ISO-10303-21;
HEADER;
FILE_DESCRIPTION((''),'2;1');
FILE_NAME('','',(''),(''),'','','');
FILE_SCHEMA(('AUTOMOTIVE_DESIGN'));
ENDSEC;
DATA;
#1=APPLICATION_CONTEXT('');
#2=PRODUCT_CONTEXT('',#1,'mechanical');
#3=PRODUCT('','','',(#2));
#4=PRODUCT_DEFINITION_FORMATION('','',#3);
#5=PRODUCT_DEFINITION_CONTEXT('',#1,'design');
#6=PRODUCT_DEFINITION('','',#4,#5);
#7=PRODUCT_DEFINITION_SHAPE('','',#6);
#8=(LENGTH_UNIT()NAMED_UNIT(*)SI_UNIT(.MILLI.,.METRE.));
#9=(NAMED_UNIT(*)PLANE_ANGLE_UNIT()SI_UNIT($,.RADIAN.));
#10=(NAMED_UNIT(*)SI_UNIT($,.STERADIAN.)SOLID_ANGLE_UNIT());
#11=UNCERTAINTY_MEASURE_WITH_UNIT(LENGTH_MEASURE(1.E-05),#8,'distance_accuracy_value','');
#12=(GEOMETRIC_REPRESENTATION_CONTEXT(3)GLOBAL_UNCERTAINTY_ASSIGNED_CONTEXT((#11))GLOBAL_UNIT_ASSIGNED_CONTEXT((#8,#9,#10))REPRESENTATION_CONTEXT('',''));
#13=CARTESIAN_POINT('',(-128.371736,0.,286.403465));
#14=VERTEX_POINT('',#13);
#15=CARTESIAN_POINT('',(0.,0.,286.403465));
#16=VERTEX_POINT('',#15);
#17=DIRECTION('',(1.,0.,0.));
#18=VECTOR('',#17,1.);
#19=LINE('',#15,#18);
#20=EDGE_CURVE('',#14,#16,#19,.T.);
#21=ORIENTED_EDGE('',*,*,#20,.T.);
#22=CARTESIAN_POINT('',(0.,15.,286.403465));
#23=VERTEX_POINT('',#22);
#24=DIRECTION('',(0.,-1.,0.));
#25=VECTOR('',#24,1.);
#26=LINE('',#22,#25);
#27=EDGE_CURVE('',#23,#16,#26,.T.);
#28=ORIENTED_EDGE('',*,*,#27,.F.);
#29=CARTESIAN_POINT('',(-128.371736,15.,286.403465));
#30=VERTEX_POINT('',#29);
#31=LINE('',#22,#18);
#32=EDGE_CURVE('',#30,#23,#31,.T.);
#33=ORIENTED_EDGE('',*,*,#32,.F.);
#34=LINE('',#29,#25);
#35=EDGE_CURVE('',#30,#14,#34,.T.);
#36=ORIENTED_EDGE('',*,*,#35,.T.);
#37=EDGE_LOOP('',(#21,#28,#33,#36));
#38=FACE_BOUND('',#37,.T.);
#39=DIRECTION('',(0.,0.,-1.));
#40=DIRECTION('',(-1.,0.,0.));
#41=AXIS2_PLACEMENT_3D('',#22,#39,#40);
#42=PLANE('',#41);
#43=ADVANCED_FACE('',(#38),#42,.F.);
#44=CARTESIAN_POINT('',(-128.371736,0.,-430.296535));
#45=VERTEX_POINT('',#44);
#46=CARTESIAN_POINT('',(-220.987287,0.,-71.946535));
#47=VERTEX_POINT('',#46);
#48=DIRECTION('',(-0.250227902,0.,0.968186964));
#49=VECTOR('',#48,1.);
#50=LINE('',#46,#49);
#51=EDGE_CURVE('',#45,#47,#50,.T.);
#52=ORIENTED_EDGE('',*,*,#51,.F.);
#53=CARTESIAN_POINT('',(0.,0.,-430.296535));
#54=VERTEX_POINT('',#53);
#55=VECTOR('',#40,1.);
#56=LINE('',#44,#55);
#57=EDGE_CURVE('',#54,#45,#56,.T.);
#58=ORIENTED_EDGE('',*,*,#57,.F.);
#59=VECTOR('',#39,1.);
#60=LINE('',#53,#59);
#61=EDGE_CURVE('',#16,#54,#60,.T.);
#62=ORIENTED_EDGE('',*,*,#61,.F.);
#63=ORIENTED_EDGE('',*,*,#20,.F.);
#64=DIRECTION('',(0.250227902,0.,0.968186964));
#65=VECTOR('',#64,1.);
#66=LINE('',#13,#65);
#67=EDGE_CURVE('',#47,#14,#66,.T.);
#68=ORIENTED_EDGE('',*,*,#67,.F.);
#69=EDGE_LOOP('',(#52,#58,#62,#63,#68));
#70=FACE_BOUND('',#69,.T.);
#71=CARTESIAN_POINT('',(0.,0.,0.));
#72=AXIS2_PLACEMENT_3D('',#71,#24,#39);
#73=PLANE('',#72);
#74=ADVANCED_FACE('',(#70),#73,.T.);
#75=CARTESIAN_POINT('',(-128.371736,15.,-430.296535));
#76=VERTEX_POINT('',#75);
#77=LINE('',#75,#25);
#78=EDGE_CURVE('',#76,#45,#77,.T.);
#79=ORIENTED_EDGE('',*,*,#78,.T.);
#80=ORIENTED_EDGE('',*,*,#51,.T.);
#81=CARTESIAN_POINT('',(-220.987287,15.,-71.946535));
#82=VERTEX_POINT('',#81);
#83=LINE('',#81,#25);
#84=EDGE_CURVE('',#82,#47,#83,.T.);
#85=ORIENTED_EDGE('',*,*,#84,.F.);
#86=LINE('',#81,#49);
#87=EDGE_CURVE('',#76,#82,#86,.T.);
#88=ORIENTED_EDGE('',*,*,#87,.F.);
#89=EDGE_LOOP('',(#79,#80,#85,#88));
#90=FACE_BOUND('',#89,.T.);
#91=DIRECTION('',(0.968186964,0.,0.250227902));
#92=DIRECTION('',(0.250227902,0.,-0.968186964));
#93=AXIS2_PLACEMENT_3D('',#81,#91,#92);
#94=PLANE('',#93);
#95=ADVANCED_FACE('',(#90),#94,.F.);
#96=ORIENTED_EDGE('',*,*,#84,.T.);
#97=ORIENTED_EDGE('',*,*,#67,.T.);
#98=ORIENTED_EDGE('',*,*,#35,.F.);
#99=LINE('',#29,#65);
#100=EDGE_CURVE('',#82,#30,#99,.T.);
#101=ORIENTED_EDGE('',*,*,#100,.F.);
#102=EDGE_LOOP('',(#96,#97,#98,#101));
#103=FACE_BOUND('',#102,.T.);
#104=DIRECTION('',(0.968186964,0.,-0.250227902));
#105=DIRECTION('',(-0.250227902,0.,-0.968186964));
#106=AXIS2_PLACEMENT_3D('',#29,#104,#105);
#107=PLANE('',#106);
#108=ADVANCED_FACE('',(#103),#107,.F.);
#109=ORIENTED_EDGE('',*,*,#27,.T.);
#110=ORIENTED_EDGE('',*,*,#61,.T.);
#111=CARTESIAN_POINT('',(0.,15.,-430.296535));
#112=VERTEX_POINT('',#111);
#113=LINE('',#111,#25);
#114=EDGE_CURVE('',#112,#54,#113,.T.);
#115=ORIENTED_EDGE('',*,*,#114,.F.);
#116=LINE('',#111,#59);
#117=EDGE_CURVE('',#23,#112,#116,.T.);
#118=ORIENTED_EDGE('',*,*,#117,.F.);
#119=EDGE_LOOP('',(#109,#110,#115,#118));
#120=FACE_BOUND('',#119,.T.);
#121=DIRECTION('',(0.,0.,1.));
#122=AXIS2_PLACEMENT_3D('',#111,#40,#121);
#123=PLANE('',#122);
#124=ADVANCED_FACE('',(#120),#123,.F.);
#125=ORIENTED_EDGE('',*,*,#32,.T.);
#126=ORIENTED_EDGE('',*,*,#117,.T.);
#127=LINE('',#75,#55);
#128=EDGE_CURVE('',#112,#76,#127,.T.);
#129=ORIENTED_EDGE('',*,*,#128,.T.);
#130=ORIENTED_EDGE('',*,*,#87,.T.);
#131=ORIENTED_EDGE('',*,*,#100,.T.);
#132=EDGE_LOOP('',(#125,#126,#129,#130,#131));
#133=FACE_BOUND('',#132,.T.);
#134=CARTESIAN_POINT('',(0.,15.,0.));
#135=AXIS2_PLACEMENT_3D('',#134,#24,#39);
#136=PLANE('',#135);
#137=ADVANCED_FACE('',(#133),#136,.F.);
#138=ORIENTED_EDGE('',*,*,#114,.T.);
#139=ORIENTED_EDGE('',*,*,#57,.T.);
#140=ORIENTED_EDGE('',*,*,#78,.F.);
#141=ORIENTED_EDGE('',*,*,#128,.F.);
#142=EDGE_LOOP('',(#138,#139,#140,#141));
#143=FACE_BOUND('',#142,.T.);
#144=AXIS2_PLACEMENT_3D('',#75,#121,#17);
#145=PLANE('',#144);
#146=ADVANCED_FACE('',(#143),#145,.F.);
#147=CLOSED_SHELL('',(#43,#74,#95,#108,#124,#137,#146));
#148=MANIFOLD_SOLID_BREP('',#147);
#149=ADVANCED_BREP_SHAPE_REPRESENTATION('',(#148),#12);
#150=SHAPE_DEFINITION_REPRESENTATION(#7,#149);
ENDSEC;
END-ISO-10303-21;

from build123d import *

# Parameters (mm, degrees)
BOSS_EXTRUDE1_DEPTH = 15


with BuildPart() as part:
    # Sketch1 → Boss-Extrude1 (new body)
    with BuildSketch(Plane(origin=(0, 0, 0), x_dir=(1, 0, 0), z_dir=(0, 1, 0))):
        Polygon((0, 430.296535077), (0, -286.403464923), (-128.371735874, -286.403464923), (-220.987286507, 71.946535077), (-128.371735874, 430.296535077), align=None)
    extrude(amount=BOSS_EXTRUDE1_DEPTH)


solid = part.part
